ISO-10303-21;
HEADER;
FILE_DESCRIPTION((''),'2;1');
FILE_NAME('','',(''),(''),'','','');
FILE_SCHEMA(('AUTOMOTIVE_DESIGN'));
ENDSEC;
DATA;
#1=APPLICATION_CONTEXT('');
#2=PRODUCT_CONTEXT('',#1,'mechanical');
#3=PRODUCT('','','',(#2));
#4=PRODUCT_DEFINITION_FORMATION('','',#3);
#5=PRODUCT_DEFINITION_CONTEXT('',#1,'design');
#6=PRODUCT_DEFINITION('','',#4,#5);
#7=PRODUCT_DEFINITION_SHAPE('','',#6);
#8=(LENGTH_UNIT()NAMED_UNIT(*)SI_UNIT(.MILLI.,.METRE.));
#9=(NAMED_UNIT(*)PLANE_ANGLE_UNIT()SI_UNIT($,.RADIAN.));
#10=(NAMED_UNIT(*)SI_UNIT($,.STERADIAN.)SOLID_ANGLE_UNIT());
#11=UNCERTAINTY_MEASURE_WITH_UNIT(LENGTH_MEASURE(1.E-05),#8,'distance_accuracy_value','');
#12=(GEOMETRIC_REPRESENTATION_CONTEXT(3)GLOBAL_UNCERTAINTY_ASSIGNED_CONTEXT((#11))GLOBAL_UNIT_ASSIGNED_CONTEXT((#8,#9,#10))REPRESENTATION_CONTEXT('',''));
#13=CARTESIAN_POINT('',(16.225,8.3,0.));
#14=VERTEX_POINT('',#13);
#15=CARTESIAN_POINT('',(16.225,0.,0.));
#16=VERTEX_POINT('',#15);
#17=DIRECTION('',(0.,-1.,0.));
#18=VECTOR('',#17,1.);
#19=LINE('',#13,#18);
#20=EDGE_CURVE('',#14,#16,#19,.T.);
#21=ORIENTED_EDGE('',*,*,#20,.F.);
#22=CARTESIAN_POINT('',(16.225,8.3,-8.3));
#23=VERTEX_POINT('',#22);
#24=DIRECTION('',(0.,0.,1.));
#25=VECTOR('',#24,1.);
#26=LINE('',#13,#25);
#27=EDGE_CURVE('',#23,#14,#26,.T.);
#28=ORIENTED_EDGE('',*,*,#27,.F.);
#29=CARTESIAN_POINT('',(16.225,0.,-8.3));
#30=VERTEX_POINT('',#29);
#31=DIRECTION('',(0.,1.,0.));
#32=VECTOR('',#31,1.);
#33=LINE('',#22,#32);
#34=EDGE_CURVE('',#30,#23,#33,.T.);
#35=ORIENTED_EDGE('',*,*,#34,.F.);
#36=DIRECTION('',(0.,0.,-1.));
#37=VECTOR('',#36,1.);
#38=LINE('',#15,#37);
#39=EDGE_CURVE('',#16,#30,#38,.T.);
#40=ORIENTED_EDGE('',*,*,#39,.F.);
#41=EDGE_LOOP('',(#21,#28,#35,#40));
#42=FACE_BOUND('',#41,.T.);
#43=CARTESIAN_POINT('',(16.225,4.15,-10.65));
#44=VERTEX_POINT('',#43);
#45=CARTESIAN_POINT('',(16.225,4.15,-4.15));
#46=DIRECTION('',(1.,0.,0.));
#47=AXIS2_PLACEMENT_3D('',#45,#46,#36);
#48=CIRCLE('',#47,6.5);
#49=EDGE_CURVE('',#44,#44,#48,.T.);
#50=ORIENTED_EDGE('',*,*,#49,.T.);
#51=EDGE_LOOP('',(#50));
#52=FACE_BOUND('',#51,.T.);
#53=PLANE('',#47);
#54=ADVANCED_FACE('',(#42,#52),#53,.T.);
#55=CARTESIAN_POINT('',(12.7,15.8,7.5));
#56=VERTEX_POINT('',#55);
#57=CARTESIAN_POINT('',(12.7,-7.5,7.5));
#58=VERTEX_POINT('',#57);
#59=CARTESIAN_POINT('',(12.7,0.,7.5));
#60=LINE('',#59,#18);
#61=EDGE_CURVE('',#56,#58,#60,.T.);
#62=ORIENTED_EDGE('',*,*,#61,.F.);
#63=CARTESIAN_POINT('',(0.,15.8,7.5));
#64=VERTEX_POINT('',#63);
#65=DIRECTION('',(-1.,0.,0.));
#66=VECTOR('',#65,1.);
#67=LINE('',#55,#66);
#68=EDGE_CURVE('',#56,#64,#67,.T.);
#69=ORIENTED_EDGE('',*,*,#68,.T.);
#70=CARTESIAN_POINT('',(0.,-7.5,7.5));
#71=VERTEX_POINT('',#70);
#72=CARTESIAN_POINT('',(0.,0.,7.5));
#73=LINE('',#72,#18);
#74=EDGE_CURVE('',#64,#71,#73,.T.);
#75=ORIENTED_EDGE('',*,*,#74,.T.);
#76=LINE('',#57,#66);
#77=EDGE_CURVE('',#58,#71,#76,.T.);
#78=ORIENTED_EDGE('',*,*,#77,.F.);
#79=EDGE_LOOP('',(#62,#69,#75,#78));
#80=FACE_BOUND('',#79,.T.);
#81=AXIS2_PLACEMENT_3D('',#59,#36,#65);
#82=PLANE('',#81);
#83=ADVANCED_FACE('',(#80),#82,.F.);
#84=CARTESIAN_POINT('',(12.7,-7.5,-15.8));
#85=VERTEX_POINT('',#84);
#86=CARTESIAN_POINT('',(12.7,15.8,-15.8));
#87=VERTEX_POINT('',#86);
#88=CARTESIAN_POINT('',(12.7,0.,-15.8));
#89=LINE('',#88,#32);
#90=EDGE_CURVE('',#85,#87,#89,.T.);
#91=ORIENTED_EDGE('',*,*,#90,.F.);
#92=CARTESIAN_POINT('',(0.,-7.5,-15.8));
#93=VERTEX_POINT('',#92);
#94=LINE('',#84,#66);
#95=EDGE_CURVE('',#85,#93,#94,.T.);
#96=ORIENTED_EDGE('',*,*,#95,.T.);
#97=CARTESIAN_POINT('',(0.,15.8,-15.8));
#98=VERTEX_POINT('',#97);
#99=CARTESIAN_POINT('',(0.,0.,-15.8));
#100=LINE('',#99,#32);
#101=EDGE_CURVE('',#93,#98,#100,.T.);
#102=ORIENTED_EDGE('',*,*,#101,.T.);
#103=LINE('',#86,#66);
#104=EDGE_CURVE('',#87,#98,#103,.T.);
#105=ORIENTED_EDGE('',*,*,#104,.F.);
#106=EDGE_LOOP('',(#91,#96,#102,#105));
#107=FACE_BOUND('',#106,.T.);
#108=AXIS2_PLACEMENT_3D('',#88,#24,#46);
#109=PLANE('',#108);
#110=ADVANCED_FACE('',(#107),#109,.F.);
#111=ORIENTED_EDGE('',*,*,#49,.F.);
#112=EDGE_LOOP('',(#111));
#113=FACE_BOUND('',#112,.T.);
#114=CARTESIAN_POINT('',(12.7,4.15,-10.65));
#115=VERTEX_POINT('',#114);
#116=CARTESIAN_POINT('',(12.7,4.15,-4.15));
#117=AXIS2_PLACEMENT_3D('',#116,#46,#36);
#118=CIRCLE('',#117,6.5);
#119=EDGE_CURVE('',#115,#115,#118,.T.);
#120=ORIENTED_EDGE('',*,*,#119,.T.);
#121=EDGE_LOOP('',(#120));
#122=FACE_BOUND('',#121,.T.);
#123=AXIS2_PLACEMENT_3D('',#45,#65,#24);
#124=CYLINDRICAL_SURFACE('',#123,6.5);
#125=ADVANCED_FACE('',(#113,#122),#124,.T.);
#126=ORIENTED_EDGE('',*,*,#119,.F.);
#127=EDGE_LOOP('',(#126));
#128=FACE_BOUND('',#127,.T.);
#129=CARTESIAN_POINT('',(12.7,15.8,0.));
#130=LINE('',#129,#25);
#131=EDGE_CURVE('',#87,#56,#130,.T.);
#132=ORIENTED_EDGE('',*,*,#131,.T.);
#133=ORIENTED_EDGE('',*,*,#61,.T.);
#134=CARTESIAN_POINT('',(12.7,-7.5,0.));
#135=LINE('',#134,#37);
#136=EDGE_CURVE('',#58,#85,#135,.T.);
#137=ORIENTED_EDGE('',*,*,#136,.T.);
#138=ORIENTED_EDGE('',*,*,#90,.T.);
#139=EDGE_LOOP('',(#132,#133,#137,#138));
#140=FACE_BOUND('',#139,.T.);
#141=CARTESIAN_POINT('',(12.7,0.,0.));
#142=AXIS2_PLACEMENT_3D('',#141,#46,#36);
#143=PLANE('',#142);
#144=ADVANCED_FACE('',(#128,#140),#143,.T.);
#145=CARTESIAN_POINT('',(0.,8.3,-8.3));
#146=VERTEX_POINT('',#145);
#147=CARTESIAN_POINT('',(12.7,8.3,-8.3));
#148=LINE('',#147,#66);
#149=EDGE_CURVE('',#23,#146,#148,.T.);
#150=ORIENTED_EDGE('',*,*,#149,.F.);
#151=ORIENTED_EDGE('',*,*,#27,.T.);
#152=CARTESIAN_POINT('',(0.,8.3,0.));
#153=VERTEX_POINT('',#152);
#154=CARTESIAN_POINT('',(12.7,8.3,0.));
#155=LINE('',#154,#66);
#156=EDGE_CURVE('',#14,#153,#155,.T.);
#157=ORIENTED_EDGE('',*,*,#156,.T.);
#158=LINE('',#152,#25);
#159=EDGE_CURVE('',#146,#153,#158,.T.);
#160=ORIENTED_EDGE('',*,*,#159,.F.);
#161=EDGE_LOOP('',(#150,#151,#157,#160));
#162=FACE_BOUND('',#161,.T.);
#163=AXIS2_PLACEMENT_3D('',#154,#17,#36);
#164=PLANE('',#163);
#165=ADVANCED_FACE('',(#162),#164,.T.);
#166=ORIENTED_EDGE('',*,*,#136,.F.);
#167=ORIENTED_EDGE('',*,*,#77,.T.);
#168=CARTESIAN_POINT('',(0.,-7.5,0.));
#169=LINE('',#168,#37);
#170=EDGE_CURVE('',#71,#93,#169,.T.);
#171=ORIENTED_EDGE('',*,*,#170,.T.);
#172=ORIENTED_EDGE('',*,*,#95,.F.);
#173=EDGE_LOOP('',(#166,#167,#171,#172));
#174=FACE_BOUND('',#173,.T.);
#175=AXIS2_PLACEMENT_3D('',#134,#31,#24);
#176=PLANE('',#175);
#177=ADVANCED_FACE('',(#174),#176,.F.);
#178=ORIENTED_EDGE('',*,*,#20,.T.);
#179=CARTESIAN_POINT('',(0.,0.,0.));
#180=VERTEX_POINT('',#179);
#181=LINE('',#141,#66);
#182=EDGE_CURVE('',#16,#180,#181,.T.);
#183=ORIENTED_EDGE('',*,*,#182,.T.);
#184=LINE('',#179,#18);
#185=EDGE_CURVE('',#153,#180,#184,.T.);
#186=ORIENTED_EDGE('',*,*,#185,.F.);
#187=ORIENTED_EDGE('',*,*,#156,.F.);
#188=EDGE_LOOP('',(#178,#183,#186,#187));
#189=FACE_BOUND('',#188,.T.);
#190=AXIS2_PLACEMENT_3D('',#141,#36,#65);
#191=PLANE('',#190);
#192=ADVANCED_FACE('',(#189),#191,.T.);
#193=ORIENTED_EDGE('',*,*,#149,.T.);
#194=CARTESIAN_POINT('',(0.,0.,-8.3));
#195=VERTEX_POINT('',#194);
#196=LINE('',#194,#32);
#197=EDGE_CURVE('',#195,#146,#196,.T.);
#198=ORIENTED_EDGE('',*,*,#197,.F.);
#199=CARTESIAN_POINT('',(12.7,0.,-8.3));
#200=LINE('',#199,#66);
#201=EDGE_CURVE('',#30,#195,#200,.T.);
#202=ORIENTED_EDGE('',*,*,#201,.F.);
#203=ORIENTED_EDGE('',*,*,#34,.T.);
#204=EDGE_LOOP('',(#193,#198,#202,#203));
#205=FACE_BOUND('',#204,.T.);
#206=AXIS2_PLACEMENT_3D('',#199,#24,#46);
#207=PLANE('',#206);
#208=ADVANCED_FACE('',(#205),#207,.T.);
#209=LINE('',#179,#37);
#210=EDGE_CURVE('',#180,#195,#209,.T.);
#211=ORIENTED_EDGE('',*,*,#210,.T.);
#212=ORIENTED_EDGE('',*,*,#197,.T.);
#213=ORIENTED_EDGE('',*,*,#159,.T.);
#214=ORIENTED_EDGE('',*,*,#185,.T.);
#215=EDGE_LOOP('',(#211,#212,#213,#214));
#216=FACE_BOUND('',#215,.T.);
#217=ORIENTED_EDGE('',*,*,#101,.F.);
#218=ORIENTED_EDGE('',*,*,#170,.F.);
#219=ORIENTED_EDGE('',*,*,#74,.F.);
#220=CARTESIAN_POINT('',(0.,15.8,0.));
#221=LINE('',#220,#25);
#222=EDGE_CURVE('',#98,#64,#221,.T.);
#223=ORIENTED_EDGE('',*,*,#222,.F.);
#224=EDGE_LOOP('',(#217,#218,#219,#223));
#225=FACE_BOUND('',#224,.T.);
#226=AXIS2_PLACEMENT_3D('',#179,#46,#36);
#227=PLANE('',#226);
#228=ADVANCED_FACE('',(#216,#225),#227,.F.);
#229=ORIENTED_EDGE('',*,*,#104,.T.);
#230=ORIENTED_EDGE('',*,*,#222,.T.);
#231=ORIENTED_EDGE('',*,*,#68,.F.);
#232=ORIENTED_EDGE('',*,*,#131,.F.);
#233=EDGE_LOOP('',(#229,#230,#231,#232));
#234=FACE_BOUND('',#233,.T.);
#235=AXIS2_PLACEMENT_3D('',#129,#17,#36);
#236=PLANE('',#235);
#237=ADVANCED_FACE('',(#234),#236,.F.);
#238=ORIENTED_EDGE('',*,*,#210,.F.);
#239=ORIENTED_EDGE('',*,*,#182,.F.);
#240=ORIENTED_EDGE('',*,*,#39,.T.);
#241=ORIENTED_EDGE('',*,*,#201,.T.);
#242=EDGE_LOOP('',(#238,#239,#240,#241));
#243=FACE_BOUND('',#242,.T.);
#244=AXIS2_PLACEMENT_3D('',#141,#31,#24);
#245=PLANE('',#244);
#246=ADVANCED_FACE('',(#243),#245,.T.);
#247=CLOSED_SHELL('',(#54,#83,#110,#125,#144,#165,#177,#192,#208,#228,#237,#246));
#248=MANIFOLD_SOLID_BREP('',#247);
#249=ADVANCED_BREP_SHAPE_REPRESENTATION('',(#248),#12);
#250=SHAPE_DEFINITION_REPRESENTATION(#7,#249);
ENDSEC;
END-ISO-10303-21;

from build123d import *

# Parameters (mm, degrees)
SKETCH2_W           = 23.3
SKETCH2_H           = 23.3
SKETCH2_W_2         = 8.3
SKETCH2_H_2         = 8.3
EXTRUDE_THIN1_DEPTH = 12.7
SKETCH3_R           = 6.5
SKETCH3_W           = 8.3
SKETCH3_H           = 8.3
BOSS_EXTRUDE1_DEPTH = 3.525


with BuildPart() as part:
    # Sketch2 → Extrude-Thin1 (new body)
    with BuildSketch(Plane(origin=(0, 0, 0), x_dir=(0, 0, -1), z_dir=(1, 0, 0))):
        with Locations((4.15, 4.15)):
            Rectangle(SKETCH2_W, SKETCH2_H)
        with Locations((4.15, 4.15)):
            Rectangle(SKETCH2_W_2, SKETCH2_H_2, mode=Mode.SUBTRACT)
    extrude(amount=EXTRUDE_THIN1_DEPTH)

    # Sketch3 → Boss-Extrude1 (add)
    with BuildSketch(Plane(origin=(12.7, 0, 0), x_dir=(0, 0, -1), z_dir=(1, 0, 0))):
        with Locations((4.15, 4.15)):
            Circle(SKETCH3_R)
        with Locations((4.15, 4.15)):
            Rectangle(SKETCH3_W, SKETCH3_H, mode=Mode.SUBTRACT)
    extrude(amount=BOSS_EXTRUDE1_DEPTH)


solid = part.part
